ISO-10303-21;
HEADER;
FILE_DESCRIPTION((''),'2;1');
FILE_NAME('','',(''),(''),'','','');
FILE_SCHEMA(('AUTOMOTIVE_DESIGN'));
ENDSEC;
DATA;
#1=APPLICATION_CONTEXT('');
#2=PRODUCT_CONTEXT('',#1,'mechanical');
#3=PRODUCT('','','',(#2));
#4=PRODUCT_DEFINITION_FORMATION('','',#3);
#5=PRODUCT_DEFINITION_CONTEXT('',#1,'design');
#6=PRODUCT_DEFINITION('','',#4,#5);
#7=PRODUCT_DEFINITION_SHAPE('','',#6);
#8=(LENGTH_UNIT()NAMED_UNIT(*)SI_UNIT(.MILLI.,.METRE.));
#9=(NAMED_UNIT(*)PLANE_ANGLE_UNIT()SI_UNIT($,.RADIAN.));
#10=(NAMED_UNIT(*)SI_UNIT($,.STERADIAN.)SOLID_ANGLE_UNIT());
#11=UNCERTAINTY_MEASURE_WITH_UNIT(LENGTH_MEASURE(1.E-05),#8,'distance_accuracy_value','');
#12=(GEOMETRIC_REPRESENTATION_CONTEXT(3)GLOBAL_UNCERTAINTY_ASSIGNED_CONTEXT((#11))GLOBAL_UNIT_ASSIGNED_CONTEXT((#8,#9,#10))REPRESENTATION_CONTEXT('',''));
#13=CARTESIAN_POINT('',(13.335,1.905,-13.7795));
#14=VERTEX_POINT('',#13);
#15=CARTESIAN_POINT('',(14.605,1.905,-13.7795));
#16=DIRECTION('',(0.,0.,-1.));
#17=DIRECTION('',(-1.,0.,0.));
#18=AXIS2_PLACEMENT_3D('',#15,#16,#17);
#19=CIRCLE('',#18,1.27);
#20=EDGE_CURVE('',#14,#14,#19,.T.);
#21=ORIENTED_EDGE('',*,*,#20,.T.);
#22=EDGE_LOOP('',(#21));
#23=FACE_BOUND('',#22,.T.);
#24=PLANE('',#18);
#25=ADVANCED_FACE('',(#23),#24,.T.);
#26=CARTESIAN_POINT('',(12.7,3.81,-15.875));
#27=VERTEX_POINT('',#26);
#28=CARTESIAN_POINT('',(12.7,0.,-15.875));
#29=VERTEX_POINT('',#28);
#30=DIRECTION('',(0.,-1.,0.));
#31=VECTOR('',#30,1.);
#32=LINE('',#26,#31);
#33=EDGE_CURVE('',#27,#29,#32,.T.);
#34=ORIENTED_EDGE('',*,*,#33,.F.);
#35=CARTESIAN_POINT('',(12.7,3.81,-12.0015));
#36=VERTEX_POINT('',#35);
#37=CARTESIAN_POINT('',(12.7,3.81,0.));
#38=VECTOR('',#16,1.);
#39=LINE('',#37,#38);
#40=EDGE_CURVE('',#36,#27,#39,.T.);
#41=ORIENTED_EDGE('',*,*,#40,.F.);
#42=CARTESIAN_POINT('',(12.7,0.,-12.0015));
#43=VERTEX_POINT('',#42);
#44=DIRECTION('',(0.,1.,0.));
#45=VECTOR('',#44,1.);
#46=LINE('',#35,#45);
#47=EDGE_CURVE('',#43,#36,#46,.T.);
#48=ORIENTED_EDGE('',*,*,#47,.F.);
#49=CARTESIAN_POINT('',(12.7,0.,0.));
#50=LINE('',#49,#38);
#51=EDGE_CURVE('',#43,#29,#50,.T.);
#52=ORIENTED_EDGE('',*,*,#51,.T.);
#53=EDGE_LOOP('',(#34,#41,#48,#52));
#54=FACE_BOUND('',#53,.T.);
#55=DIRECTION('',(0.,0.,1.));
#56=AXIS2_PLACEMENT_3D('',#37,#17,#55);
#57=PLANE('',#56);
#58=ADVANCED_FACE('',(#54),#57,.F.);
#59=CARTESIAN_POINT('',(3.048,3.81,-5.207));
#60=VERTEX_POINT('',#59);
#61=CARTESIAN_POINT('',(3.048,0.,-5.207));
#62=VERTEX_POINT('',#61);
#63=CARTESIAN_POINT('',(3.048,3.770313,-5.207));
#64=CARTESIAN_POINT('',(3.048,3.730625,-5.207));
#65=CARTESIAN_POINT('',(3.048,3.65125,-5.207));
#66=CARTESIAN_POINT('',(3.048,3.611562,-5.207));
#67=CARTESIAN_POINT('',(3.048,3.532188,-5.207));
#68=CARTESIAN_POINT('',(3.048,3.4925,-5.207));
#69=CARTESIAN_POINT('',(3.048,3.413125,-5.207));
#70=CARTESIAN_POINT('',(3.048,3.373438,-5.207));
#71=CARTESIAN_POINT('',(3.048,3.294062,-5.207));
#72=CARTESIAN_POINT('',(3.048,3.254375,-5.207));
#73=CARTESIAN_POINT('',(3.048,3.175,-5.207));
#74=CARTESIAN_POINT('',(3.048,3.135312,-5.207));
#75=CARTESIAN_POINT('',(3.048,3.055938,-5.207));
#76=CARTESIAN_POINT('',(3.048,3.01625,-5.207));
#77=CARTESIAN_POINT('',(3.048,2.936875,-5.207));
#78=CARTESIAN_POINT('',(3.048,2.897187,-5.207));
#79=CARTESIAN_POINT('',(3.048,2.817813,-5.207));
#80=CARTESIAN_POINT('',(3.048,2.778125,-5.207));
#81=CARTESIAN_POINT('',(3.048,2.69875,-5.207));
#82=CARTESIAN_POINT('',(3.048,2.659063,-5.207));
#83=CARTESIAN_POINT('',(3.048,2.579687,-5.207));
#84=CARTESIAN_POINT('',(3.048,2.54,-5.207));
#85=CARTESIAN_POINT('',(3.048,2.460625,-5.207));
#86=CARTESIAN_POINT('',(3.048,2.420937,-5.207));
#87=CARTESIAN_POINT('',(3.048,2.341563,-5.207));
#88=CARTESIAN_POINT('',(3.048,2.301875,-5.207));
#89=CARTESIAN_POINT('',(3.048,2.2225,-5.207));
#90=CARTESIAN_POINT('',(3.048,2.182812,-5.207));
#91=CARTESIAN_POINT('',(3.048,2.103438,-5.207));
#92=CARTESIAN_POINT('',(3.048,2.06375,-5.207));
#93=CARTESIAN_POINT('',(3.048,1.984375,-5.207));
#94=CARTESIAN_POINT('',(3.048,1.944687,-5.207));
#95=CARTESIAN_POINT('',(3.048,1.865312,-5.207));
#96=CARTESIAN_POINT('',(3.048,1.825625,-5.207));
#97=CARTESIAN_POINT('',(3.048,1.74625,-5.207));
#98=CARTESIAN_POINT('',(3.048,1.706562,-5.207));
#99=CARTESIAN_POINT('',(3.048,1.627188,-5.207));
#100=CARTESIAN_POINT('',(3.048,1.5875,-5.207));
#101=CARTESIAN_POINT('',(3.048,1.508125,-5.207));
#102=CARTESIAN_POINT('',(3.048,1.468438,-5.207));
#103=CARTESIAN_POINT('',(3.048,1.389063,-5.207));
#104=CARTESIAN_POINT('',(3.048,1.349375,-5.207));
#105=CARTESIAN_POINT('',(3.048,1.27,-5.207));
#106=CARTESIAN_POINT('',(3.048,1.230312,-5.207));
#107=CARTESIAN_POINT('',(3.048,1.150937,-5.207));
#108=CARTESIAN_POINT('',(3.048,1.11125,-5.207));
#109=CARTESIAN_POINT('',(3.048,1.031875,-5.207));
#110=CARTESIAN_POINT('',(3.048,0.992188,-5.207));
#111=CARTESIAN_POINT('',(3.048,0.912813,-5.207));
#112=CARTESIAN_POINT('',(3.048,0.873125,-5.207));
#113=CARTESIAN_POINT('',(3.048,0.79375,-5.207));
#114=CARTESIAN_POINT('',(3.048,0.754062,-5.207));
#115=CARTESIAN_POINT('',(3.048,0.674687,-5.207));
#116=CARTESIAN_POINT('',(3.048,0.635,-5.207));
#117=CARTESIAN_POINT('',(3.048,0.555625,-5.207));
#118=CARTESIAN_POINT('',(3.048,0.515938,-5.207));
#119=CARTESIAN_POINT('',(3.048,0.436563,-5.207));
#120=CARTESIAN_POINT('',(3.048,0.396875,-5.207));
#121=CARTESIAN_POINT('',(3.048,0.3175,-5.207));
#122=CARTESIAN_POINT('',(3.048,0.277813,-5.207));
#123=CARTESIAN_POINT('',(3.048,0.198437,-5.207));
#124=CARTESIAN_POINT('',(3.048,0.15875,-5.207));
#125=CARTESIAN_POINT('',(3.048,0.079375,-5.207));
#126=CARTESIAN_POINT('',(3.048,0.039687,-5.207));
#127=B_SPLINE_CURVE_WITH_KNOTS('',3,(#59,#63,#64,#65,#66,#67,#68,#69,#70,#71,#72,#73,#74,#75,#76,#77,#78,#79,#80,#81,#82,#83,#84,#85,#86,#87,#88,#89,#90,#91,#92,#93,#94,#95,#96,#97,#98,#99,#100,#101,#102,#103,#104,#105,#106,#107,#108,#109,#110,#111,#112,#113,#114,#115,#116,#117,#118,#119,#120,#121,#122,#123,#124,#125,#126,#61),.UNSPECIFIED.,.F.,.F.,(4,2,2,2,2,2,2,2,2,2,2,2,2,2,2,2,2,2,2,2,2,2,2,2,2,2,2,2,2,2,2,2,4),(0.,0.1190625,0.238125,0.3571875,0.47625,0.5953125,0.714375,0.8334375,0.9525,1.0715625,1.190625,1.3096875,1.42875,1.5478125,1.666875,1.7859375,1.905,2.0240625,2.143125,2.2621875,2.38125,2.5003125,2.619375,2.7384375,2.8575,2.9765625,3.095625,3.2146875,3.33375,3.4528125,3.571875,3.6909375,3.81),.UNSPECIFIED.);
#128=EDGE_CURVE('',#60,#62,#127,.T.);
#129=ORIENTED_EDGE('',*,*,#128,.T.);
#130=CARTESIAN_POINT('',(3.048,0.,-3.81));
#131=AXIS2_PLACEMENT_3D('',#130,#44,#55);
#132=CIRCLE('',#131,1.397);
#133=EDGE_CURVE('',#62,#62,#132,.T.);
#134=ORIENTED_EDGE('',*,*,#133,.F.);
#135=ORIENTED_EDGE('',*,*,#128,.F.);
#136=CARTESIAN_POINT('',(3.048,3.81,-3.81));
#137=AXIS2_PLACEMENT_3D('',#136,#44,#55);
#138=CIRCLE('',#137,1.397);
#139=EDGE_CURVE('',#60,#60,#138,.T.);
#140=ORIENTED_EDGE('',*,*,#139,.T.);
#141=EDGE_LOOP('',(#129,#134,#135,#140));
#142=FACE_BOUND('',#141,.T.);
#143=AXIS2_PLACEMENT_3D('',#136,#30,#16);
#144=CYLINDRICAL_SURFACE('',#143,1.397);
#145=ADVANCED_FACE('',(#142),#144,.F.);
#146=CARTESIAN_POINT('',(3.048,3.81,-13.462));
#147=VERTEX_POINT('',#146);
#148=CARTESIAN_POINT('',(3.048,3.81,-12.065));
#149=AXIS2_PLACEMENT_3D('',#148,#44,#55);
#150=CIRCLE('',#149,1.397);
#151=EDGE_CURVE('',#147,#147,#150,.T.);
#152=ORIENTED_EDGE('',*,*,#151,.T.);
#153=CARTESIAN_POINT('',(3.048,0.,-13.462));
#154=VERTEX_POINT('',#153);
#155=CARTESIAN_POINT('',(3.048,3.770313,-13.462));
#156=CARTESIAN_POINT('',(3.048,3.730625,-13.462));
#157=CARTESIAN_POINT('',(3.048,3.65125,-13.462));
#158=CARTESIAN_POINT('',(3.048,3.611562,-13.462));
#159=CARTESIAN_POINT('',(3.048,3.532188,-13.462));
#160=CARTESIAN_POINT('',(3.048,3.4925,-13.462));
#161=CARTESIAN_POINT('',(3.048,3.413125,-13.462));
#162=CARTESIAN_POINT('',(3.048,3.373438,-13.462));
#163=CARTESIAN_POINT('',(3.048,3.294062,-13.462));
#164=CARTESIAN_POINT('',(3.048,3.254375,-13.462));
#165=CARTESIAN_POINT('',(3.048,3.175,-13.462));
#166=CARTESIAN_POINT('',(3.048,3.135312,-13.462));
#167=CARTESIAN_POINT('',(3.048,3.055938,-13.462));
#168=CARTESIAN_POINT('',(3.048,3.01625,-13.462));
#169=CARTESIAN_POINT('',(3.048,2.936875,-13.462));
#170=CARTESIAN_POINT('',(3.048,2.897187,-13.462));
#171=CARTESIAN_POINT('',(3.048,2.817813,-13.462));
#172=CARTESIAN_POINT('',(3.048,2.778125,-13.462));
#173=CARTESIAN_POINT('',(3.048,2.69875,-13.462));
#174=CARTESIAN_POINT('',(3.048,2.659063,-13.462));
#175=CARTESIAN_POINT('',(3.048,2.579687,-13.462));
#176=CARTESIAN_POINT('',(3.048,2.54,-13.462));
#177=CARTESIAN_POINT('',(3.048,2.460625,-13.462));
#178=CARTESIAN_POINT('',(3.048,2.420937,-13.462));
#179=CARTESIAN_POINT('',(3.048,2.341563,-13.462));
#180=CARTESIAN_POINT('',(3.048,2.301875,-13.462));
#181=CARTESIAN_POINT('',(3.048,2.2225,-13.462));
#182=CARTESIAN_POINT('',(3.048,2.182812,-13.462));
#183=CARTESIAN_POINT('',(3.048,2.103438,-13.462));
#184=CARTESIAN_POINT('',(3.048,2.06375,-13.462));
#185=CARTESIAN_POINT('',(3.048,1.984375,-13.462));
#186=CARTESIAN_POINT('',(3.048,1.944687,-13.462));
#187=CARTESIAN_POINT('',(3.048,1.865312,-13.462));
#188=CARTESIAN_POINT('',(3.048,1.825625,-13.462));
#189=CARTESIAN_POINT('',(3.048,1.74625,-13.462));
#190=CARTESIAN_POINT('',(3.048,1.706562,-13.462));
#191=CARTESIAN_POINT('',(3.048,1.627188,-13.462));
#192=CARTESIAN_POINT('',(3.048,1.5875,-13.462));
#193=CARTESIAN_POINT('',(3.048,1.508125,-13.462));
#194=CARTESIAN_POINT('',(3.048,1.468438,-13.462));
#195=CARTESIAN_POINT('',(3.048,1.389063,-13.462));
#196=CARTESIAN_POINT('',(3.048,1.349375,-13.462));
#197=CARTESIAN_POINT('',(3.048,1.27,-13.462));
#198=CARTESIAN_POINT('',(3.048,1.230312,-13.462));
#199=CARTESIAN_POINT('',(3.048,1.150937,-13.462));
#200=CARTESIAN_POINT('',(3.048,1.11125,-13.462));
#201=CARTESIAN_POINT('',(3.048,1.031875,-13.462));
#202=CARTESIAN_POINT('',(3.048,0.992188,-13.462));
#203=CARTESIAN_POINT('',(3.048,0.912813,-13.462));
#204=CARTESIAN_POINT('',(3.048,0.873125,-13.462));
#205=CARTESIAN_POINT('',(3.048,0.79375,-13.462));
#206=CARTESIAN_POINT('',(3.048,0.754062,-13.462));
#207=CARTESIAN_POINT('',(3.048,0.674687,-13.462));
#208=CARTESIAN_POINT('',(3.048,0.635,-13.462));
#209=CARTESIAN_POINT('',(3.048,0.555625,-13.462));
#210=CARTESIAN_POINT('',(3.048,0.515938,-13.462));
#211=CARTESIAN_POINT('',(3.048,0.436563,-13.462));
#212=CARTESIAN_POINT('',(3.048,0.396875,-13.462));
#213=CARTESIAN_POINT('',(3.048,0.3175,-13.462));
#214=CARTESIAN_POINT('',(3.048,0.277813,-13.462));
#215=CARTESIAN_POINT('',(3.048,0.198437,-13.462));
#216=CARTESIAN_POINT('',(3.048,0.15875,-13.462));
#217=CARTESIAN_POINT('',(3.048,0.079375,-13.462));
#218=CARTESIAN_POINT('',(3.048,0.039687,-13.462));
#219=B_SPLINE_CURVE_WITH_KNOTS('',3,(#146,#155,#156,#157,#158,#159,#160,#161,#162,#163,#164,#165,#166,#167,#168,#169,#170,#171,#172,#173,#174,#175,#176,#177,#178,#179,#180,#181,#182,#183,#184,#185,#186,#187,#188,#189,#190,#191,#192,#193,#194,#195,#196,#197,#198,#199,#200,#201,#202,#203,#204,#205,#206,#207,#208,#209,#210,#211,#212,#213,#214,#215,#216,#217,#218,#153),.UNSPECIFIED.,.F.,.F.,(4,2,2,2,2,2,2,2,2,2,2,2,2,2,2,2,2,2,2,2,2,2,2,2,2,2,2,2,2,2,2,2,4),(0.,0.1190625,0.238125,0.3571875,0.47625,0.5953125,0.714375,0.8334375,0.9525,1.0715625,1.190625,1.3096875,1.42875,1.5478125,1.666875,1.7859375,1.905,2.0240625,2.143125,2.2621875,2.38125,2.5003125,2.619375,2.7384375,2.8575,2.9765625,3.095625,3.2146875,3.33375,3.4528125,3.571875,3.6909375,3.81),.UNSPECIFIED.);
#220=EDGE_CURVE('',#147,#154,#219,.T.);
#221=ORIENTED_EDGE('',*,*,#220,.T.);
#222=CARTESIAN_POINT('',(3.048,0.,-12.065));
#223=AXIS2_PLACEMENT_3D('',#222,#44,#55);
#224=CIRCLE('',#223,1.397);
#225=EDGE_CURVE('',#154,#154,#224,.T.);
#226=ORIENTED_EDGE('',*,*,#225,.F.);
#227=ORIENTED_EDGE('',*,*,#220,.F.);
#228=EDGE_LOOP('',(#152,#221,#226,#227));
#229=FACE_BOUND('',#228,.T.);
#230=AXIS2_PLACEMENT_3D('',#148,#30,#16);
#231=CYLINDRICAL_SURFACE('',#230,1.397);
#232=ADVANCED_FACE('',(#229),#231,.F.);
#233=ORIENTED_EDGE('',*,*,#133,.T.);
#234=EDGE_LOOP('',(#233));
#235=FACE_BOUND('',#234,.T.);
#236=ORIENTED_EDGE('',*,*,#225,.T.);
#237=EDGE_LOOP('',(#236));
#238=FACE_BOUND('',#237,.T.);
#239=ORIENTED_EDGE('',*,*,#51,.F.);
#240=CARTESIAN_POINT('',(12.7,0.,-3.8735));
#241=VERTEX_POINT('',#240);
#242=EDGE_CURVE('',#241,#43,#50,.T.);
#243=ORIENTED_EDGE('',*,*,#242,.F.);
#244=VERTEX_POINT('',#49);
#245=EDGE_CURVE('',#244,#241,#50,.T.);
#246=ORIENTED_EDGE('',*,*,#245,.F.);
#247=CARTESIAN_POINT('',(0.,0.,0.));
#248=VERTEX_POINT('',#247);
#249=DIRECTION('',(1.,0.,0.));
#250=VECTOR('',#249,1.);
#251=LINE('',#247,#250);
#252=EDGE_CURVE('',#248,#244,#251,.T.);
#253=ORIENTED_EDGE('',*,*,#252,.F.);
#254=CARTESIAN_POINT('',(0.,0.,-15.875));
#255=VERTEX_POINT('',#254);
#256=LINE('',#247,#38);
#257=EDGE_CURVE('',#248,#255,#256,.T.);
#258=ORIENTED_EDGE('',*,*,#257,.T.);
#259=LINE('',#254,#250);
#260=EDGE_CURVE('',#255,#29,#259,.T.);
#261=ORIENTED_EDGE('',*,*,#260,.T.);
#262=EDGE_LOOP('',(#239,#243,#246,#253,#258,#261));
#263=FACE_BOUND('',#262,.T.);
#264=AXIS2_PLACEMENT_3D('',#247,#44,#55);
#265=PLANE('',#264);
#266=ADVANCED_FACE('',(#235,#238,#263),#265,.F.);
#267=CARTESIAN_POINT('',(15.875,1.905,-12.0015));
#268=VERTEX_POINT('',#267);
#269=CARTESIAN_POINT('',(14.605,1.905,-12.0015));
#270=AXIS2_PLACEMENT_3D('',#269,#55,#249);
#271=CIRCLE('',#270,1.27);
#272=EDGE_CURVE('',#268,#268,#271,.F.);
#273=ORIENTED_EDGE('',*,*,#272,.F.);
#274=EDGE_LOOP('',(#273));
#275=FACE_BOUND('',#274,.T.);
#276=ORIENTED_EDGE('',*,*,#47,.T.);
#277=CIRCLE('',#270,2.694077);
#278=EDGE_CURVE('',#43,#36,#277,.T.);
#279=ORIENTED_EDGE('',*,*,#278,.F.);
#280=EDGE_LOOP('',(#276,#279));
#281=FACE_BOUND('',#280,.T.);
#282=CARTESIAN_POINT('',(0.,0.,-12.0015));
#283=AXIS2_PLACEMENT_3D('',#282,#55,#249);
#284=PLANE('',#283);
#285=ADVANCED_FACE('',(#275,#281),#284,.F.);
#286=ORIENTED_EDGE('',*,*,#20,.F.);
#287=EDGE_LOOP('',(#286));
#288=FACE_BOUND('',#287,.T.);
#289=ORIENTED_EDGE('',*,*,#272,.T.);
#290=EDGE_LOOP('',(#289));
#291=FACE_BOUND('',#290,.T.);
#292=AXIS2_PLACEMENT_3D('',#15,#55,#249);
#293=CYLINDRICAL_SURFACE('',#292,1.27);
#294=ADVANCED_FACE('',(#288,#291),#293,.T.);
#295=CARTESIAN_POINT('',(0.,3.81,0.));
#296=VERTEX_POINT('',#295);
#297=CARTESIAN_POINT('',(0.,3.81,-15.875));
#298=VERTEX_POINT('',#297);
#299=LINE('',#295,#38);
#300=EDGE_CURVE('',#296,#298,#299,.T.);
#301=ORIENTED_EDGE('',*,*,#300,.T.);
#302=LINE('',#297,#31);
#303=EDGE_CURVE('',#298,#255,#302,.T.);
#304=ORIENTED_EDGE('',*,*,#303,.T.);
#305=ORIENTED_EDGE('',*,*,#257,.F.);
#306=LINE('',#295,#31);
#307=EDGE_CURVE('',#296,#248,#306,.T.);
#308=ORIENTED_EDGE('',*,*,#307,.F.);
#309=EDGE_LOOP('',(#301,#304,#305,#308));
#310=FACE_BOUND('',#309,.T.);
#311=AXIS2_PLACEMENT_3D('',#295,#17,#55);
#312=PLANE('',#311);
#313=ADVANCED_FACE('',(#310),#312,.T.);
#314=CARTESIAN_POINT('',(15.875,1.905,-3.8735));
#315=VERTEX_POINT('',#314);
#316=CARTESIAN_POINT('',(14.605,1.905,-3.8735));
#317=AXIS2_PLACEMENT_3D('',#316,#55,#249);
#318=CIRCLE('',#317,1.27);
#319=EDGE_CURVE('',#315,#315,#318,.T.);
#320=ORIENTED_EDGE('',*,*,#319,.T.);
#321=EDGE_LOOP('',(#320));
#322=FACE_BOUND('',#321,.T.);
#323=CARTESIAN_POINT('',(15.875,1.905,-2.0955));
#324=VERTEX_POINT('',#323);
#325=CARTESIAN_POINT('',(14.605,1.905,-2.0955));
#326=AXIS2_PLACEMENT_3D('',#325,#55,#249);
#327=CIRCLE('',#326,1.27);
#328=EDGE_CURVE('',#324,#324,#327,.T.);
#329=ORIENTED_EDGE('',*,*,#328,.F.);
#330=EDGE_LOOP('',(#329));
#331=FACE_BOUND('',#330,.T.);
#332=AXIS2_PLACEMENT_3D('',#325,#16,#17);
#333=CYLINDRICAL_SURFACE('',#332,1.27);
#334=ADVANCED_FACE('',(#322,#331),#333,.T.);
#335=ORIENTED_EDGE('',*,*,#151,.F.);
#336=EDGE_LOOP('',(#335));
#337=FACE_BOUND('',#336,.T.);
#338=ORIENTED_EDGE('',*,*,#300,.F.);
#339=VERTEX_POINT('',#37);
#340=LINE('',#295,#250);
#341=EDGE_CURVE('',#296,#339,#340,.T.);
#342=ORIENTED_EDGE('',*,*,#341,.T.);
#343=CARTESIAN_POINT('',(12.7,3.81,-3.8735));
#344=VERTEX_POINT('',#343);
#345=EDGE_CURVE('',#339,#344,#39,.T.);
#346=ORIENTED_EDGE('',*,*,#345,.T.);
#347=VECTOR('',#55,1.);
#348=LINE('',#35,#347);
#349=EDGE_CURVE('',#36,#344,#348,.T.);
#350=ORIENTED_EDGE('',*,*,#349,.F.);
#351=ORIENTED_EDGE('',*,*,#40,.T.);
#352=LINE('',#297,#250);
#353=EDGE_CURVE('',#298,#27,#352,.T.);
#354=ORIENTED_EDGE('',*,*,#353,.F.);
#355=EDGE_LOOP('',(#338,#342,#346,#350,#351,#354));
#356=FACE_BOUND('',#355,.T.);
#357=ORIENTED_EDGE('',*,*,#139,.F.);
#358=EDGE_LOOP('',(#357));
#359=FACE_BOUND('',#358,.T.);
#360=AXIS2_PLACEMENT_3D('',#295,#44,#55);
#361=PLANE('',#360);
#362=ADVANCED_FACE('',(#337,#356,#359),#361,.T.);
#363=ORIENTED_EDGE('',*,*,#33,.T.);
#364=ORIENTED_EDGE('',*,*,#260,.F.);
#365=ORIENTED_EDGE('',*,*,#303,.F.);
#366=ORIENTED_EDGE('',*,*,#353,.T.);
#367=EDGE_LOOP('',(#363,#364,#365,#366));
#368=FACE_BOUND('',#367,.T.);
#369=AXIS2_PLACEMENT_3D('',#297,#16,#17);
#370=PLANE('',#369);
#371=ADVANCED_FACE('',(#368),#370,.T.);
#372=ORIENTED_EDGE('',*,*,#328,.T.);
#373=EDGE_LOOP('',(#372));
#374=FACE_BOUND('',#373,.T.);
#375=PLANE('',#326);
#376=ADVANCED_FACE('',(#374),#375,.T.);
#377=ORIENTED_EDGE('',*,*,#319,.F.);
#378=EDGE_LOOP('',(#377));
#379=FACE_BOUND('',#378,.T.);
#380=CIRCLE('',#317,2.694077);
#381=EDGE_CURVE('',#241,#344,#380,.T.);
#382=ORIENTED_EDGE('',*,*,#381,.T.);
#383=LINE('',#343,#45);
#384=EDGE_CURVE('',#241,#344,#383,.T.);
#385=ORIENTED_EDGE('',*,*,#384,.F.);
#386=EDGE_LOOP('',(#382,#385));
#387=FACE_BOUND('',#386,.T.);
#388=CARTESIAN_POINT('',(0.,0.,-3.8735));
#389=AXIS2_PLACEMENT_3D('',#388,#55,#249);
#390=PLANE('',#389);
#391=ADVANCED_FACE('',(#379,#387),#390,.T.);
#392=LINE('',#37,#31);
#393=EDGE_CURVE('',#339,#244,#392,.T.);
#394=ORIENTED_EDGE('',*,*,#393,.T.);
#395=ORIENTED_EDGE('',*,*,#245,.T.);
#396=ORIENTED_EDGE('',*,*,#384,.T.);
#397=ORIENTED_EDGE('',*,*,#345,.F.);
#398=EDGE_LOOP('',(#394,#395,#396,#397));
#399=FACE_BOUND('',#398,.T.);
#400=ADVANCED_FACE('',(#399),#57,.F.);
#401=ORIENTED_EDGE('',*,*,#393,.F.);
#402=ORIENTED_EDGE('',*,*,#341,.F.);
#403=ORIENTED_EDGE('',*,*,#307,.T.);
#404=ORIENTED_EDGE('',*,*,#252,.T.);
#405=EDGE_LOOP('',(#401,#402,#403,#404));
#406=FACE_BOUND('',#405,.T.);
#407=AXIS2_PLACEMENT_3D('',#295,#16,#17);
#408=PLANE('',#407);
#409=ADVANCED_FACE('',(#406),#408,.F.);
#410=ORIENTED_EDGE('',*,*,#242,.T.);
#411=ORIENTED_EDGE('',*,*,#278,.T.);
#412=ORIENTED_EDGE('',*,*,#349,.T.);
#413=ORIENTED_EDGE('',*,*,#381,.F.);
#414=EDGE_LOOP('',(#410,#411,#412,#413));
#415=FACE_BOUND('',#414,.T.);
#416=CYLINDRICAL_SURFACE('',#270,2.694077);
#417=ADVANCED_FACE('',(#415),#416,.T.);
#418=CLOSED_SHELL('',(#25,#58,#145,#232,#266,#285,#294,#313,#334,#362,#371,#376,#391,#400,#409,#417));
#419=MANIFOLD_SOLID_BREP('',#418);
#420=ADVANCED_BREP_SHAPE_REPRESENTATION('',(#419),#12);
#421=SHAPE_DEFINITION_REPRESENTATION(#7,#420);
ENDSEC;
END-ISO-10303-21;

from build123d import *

# Parameters (mm, degrees)
SKETCH3_W                = 12.7
SKETCH3_H                = 15.875
SKETCH3_R                = 1.397
BOSS_EXTRUDE1_DEPTH      = 3.81
BOSS_EXTRUDE2_DEPTH      = 4.064
BOSS_EXTRUDE2_DEPTH_BACK = 4.064
SKETCH5_R                = 2.694076836
SKETCH6_R                = 1.27
BOSS_EXTRUDE3_DEPTH      = 1.778
BOSS_EXTRUDE4_START      = 1.778
SKETCH7_R                = 1.27
BOSS_EXTRUDE4_DEPTH      = 1.778


with BuildPart() as part:
    # Sketch3 → Boss-Extrude1 (new body)
    with BuildSketch(Plane(origin=(0, 0, 0), x_dir=(1, 0, 0), z_dir=(0, 1, 0))):
        with Locations((6.35, 7.9375)):
            Rectangle(SKETCH3_W, SKETCH3_H)
        with Locations(Location((3.048, 3.81, 0), (0, 0, 90))):
            Circle(SKETCH3_R, mode=Mode.SUBTRACT)
        with Locations(Location((3.048, 12.065, 0), (0, 0, 90))):
            Circle(SKETCH3_R, mode=Mode.SUBTRACT)
    extrude(amount=BOSS_EXTRUDE1_DEPTH)

    # Sketch5 → Boss-Extrude2 (add, two sides: drawn at the far end of the back side and taken through both)
    with BuildSketch(Plane.XY.offset(-7.9375).offset(-BOSS_EXTRUDE2_DEPTH_BACK)):
        with Locations((14.605, 1.905)):
            Circle(SKETCH5_R)
    extrude(amount=BOSS_EXTRUDE2_DEPTH + BOSS_EXTRUDE2_DEPTH_BACK)

    # Sketch6 → Boss-Extrude3 (add)
    with BuildSketch(Plane.XY.offset(-3.8735)):
        with Locations((14.605, 1.905)):
            Circle(SKETCH6_R)
    extrude(amount=BOSS_EXTRUDE3_DEPTH)

    # Sketch7 → Boss-Extrude4 (add)
    with BuildSketch(Plane(origin=(0, 0, -12.0015), x_dir=(-1, 0, 0), z_dir=(0, 0, -1)).offset(BOSS_EXTRUDE4_START)):
        with Locations(Location((-14.605, 1.905, 0), (0, 0, 180))):
            Circle(SKETCH7_R)
    extrude(amount=-BOSS_EXTRUDE4_DEPTH)


solid = part.part
